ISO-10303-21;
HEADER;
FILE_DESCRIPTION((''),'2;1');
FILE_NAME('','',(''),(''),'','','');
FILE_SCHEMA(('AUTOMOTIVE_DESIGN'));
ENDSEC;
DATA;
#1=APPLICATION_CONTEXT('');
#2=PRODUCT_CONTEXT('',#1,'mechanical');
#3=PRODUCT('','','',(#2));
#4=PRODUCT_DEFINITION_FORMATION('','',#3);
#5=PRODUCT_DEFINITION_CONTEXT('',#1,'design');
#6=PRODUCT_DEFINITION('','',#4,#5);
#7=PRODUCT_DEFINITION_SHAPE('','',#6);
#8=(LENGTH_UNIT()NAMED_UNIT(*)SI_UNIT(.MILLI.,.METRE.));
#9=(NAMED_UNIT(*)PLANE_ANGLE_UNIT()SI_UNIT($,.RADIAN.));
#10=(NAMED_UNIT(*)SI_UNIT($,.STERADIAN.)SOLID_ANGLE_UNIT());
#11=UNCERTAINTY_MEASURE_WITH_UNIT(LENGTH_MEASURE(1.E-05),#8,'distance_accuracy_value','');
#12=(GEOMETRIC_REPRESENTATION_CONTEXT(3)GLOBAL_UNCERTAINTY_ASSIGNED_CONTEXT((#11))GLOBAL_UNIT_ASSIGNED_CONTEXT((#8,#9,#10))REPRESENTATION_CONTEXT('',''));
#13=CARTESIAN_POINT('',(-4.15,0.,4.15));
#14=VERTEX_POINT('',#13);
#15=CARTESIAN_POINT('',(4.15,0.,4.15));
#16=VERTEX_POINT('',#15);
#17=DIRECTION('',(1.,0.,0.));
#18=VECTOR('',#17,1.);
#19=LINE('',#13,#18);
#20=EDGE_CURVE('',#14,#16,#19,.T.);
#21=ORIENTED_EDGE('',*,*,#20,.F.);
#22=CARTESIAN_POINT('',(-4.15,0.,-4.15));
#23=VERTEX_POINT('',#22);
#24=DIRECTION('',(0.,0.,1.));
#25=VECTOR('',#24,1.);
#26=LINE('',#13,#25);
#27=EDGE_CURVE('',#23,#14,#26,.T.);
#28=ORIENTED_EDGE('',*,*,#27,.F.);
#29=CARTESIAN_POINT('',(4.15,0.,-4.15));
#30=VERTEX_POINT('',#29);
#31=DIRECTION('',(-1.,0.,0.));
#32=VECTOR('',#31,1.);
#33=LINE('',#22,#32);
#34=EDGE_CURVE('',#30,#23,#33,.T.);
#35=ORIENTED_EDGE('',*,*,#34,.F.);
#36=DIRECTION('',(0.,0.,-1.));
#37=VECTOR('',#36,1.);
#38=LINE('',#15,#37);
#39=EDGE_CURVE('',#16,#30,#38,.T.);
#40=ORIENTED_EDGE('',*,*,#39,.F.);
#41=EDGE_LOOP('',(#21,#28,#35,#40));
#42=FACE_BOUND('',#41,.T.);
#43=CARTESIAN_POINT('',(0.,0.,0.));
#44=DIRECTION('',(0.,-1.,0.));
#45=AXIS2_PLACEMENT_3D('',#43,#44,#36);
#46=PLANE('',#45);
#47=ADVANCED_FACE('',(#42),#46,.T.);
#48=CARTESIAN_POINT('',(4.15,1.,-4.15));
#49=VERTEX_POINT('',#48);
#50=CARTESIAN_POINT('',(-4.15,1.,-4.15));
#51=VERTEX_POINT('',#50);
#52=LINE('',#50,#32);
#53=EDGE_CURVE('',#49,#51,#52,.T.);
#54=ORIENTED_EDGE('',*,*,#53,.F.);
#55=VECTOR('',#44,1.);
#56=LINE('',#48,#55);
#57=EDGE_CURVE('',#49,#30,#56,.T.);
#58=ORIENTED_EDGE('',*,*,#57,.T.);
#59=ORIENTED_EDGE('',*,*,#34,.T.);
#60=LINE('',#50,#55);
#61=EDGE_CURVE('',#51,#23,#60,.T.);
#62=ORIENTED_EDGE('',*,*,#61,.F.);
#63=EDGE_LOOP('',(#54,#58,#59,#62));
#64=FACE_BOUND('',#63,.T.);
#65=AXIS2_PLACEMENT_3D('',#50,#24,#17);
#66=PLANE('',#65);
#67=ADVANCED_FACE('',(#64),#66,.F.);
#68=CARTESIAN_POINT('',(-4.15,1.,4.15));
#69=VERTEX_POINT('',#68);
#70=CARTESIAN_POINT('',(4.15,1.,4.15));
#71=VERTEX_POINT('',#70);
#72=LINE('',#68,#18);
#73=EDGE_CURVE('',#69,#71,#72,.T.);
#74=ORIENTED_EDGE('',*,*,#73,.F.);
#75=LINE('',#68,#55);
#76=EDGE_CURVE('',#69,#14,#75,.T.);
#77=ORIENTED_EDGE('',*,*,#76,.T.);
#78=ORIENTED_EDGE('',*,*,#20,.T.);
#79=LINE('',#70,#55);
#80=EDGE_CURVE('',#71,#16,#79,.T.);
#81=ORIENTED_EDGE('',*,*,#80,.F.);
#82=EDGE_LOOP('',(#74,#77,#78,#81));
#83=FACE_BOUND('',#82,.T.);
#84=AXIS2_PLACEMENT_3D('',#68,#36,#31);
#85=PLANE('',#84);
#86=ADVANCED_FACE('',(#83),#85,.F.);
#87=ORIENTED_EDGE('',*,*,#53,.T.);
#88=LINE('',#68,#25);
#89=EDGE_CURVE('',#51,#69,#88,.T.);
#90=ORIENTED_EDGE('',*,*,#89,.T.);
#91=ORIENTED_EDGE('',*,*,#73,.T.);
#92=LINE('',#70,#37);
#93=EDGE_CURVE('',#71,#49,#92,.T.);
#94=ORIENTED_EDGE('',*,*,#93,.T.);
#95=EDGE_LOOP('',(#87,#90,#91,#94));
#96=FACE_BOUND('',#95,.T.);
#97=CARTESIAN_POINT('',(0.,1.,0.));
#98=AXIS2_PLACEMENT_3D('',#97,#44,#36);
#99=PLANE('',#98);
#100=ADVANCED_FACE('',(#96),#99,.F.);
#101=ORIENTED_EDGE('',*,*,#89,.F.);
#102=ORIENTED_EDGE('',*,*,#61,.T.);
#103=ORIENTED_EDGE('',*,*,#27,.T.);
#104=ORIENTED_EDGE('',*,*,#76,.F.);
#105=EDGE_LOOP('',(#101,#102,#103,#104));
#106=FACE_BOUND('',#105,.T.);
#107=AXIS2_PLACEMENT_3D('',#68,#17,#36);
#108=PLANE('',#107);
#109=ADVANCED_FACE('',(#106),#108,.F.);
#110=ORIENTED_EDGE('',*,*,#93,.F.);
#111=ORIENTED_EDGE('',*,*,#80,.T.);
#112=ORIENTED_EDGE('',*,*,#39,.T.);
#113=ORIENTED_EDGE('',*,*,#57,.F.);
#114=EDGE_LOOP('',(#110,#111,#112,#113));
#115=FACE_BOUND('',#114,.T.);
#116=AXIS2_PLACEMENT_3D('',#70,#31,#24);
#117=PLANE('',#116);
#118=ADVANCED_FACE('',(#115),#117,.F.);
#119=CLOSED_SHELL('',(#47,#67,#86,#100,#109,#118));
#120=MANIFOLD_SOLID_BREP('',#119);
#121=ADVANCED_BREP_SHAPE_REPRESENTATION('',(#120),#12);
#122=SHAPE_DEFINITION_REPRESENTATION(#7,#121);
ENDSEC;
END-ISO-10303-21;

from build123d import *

# Parameters (mm, degrees)
SKETCH1_W      = 8.3
SKETCH1_H      = 8.3
CHIP_LID_DEPTH = 1


with BuildPart() as part:
    # Sketch1 → chip_lid (new body)
    with BuildSketch(Plane(origin=(0, 0, 0), x_dir=(1, 0, 0), z_dir=(0, 1, 0))):
        Rectangle(SKETCH1_W, SKETCH1_H)
    extrude(amount=CHIP_LID_DEPTH)


solid = part.part
